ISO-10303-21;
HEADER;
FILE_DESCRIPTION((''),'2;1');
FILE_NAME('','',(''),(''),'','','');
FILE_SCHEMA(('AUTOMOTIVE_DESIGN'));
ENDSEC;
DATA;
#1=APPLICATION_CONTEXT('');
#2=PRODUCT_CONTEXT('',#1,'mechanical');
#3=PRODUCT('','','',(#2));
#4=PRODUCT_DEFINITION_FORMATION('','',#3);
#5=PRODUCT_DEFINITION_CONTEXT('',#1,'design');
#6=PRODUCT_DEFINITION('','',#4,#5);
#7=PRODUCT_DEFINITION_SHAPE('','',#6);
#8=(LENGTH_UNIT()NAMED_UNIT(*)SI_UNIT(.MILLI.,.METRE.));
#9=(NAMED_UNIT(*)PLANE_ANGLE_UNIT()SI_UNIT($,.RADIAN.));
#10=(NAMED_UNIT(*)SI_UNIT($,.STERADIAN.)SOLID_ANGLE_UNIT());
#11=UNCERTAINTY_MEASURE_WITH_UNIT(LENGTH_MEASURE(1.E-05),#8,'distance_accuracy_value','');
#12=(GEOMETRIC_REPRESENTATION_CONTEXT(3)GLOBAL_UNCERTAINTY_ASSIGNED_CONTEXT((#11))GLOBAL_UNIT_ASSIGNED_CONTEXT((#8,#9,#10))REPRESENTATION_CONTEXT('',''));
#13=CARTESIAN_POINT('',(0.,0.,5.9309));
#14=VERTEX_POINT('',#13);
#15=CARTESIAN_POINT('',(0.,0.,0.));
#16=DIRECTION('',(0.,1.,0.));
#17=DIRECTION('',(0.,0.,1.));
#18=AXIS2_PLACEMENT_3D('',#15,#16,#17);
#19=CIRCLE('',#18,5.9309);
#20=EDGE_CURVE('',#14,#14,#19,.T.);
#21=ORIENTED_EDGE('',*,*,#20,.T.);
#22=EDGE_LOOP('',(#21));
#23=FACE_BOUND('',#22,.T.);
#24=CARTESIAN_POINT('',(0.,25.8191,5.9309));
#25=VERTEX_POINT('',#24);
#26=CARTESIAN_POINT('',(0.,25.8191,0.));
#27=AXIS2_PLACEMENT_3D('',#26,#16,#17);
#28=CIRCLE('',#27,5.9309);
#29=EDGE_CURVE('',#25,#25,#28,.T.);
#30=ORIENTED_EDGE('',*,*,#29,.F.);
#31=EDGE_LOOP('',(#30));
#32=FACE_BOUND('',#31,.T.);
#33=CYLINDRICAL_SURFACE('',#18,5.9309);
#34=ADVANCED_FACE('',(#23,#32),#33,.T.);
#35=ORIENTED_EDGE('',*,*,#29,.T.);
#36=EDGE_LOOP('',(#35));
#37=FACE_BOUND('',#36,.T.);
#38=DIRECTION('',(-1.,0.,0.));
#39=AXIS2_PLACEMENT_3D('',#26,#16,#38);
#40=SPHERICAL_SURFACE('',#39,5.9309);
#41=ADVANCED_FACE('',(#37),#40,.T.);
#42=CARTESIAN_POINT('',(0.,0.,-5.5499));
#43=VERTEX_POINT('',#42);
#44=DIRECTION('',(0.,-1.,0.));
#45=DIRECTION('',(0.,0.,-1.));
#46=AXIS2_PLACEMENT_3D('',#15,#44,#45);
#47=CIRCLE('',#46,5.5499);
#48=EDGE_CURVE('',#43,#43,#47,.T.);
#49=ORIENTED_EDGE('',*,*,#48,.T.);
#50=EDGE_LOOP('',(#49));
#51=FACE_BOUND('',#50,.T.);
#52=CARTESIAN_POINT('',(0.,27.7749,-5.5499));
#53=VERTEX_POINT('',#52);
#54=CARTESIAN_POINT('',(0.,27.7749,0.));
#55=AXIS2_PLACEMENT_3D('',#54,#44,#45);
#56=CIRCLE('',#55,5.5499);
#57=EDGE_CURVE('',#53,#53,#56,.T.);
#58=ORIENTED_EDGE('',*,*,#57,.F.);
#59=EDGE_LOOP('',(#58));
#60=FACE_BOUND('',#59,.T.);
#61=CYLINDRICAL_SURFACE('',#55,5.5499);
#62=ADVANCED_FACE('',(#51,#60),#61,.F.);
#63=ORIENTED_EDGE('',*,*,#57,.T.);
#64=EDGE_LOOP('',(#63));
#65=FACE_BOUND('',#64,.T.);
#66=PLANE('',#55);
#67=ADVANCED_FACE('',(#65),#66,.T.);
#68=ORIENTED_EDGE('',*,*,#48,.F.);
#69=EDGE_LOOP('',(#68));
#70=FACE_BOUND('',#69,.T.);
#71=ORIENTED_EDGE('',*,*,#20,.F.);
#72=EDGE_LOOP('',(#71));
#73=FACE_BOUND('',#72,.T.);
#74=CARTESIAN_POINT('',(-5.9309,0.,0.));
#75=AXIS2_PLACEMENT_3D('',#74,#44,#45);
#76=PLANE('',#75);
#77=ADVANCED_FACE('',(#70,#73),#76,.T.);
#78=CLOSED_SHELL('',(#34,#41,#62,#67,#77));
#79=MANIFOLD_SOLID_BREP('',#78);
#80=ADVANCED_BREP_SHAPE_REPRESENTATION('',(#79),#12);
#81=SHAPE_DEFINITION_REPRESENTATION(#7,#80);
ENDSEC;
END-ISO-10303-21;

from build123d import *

# Parameters (mm, degrees)
SKETCH2_R          = 5.5499
CUT_EXTRUDE1_DEPTH = 27.7749


with BuildPart() as part:
    # Sketch1 → Revolve1 (revolve)
    with BuildSketch(Plane.XY):
        with BuildLine():
            Line((-5.9309, 0), (-5.9309, 25.8191))
            ThreePointArc((-5.9309, 25.8191), (-4.193779609, 30.012879609), (0, 31.75))
            Line((0, 31.75), (0, 0))
            Line((0, 0), (-5.9309, 0))
        make_face()
    revolve(axis=Axis((0, 0, 0), (0, -1, 0)))

    # Sketch2 → Cut-Extrude1 (cut)
    with BuildSketch(Plane.XZ):
        Circle(SKETCH2_R)
    extrude(amount=-CUT_EXTRUDE1_DEPTH, mode=Mode.SUBTRACT)


solid = part.part
